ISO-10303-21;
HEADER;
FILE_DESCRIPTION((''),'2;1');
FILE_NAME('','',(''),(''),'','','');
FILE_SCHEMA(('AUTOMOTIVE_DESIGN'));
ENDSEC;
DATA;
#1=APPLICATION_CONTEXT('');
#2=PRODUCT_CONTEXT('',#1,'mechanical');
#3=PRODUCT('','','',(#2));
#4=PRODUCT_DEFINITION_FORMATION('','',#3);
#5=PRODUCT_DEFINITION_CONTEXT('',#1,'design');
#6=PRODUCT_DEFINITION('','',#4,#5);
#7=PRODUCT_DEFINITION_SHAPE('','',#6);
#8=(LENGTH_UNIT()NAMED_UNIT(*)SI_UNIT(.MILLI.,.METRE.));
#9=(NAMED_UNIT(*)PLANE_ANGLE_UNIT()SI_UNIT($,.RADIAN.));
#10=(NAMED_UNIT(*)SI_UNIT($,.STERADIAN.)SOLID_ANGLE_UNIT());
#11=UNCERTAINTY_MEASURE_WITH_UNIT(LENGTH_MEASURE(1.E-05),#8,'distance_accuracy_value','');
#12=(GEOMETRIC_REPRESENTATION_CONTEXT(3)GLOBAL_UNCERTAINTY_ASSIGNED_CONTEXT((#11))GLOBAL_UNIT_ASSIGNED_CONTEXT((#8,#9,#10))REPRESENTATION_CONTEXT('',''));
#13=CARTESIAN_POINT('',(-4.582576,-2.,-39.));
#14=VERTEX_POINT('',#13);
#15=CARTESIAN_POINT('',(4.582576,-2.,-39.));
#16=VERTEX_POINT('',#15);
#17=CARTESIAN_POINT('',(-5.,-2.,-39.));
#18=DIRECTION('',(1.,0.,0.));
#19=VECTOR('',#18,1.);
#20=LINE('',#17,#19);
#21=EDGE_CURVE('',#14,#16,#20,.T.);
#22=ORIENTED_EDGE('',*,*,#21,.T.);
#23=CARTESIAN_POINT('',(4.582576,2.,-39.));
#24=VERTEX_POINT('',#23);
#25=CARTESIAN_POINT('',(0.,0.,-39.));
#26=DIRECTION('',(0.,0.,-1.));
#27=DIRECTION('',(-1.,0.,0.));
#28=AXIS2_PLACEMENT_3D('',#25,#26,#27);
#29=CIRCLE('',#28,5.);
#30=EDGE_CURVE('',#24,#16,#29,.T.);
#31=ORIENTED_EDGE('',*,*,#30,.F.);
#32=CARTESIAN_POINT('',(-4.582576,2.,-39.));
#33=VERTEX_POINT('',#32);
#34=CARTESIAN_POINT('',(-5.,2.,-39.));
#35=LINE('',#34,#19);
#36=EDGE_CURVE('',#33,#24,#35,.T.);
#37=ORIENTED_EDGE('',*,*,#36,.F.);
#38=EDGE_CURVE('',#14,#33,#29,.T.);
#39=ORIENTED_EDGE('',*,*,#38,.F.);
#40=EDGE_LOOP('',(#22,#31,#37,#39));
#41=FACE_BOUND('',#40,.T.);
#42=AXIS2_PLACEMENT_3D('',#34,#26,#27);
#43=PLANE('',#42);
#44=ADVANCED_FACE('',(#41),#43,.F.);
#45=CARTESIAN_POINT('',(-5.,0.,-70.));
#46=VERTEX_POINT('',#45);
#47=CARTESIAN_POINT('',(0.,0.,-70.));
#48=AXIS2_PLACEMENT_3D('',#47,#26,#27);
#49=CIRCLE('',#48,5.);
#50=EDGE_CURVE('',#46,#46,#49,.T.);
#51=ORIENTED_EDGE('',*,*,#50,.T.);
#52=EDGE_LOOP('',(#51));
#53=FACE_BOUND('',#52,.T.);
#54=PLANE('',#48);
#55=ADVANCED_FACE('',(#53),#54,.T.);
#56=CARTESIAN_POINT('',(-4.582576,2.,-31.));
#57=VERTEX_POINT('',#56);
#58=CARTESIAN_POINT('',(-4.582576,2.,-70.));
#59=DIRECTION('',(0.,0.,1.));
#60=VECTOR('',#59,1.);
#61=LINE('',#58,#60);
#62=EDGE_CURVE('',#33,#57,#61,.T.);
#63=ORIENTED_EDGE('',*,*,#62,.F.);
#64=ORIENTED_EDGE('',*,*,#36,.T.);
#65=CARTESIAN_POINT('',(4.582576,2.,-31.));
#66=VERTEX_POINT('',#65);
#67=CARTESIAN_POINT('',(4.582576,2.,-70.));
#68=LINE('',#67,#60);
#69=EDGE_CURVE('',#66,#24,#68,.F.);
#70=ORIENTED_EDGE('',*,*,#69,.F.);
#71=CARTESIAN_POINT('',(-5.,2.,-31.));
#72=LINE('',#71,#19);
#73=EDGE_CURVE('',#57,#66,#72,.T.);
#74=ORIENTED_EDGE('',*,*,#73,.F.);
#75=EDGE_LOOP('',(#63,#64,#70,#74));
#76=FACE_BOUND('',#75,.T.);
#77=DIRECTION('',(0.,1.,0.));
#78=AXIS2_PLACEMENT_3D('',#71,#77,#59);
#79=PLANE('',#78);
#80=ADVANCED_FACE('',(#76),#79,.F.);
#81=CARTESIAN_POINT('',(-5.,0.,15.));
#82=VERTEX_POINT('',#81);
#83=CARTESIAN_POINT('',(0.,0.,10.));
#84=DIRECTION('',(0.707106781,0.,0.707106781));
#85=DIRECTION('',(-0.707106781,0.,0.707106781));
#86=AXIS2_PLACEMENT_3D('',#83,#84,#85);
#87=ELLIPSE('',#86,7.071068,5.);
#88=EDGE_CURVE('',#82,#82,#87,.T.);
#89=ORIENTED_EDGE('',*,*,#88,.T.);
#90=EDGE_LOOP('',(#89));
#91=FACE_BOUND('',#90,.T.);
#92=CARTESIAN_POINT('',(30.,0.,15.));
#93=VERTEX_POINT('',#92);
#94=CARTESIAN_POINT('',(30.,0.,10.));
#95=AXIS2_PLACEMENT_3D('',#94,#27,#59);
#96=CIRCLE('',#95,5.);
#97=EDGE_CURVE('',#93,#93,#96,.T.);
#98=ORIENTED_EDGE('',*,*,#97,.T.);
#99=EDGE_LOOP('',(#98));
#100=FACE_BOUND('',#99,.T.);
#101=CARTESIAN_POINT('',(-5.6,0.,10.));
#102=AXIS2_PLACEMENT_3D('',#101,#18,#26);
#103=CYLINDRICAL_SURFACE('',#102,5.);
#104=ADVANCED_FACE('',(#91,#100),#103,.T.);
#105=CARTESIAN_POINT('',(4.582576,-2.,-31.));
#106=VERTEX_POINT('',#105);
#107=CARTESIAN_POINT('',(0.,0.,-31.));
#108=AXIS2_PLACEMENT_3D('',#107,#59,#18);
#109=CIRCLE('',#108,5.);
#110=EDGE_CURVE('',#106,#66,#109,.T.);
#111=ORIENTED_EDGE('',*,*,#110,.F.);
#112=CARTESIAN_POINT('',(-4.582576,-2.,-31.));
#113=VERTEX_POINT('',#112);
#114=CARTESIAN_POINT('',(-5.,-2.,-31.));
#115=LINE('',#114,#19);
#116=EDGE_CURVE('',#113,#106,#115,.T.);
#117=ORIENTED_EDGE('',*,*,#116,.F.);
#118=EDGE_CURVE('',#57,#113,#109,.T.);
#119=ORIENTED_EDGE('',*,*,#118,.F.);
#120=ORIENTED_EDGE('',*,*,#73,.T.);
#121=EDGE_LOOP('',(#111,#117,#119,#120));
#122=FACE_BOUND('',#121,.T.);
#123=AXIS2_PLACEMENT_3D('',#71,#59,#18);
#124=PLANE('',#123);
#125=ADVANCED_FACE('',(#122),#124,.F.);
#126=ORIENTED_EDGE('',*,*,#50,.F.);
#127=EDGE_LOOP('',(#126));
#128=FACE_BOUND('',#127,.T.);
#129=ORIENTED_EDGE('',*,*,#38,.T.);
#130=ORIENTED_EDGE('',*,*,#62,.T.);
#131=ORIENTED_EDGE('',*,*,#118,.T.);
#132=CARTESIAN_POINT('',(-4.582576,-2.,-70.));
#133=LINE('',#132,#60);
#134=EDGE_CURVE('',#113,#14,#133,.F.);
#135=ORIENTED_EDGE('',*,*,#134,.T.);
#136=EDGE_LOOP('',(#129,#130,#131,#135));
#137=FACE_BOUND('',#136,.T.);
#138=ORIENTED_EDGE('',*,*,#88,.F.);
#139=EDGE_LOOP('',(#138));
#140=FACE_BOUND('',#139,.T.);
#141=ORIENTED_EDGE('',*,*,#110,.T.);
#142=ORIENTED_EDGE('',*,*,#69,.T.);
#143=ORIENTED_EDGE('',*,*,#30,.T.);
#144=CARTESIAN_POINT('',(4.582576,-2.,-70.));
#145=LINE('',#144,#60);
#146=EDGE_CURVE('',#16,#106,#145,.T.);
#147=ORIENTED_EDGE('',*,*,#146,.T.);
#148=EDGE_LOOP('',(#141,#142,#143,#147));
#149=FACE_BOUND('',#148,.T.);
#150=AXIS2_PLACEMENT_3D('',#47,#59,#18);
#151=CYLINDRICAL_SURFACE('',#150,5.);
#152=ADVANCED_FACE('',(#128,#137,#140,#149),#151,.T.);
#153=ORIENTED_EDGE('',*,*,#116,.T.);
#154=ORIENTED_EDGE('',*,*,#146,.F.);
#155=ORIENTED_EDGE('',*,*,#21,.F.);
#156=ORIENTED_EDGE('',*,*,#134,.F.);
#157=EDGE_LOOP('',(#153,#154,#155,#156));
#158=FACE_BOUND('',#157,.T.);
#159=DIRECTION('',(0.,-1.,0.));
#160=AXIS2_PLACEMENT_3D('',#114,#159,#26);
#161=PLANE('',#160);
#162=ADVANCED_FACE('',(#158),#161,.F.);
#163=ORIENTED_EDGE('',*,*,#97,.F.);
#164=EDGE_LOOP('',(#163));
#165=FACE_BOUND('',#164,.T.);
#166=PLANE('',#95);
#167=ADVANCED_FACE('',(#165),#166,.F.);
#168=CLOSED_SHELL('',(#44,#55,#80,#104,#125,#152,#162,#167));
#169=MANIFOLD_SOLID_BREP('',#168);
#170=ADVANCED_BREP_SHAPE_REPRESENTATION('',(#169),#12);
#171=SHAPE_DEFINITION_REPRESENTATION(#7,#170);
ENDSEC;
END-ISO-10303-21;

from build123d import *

# Parameters (mm, degrees)
SWEEP2_PROFILE_R        = 5
CUT_EXTRUDE1_DEPTH      = 77.321687612
CUT_EXTRUDE1_DEPTH_BACK = 77.321687612
SKETCH4_W               = 8
SKETCH4_H               = 4


with BuildPart() as part:
    # Sweep2: sweep along a path in Sketch2
    with BuildLine(Plane(origin=(0, 0, 0), x_dir=(1, 0, 0), z_dir=(0, 1, 0))) as sweep2_path:
        Line((0, 70), (0, -10))
        Line((0, -10), (30, -10))
    # Sweep2 profile (on start of the path) → Sweep2 (sweep)
    with BuildSketch(Plane.XY.offset(-70)):
        Circle(SWEEP2_PROFILE_R)
    sweep(path=sweep2_path.line, transition=Transition.RIGHT)

    # Sketch4 → Cut-Extrude1 (cut, two sides: drawn at the far end of the back side and taken through both)
    with BuildSketch(Plane(origin=(0, 0, 0), x_dir=(0, 0, -1), z_dir=(1, 0, 0)).offset(-CUT_EXTRUDE1_DEPTH_BACK)):
        with Locations((35, 0)):
            Rectangle(SKETCH4_W, SKETCH4_H)
    extrude(amount=CUT_EXTRUDE1_DEPTH + CUT_EXTRUDE1_DEPTH_BACK, mode=Mode.SUBTRACT)


solid = part.part
